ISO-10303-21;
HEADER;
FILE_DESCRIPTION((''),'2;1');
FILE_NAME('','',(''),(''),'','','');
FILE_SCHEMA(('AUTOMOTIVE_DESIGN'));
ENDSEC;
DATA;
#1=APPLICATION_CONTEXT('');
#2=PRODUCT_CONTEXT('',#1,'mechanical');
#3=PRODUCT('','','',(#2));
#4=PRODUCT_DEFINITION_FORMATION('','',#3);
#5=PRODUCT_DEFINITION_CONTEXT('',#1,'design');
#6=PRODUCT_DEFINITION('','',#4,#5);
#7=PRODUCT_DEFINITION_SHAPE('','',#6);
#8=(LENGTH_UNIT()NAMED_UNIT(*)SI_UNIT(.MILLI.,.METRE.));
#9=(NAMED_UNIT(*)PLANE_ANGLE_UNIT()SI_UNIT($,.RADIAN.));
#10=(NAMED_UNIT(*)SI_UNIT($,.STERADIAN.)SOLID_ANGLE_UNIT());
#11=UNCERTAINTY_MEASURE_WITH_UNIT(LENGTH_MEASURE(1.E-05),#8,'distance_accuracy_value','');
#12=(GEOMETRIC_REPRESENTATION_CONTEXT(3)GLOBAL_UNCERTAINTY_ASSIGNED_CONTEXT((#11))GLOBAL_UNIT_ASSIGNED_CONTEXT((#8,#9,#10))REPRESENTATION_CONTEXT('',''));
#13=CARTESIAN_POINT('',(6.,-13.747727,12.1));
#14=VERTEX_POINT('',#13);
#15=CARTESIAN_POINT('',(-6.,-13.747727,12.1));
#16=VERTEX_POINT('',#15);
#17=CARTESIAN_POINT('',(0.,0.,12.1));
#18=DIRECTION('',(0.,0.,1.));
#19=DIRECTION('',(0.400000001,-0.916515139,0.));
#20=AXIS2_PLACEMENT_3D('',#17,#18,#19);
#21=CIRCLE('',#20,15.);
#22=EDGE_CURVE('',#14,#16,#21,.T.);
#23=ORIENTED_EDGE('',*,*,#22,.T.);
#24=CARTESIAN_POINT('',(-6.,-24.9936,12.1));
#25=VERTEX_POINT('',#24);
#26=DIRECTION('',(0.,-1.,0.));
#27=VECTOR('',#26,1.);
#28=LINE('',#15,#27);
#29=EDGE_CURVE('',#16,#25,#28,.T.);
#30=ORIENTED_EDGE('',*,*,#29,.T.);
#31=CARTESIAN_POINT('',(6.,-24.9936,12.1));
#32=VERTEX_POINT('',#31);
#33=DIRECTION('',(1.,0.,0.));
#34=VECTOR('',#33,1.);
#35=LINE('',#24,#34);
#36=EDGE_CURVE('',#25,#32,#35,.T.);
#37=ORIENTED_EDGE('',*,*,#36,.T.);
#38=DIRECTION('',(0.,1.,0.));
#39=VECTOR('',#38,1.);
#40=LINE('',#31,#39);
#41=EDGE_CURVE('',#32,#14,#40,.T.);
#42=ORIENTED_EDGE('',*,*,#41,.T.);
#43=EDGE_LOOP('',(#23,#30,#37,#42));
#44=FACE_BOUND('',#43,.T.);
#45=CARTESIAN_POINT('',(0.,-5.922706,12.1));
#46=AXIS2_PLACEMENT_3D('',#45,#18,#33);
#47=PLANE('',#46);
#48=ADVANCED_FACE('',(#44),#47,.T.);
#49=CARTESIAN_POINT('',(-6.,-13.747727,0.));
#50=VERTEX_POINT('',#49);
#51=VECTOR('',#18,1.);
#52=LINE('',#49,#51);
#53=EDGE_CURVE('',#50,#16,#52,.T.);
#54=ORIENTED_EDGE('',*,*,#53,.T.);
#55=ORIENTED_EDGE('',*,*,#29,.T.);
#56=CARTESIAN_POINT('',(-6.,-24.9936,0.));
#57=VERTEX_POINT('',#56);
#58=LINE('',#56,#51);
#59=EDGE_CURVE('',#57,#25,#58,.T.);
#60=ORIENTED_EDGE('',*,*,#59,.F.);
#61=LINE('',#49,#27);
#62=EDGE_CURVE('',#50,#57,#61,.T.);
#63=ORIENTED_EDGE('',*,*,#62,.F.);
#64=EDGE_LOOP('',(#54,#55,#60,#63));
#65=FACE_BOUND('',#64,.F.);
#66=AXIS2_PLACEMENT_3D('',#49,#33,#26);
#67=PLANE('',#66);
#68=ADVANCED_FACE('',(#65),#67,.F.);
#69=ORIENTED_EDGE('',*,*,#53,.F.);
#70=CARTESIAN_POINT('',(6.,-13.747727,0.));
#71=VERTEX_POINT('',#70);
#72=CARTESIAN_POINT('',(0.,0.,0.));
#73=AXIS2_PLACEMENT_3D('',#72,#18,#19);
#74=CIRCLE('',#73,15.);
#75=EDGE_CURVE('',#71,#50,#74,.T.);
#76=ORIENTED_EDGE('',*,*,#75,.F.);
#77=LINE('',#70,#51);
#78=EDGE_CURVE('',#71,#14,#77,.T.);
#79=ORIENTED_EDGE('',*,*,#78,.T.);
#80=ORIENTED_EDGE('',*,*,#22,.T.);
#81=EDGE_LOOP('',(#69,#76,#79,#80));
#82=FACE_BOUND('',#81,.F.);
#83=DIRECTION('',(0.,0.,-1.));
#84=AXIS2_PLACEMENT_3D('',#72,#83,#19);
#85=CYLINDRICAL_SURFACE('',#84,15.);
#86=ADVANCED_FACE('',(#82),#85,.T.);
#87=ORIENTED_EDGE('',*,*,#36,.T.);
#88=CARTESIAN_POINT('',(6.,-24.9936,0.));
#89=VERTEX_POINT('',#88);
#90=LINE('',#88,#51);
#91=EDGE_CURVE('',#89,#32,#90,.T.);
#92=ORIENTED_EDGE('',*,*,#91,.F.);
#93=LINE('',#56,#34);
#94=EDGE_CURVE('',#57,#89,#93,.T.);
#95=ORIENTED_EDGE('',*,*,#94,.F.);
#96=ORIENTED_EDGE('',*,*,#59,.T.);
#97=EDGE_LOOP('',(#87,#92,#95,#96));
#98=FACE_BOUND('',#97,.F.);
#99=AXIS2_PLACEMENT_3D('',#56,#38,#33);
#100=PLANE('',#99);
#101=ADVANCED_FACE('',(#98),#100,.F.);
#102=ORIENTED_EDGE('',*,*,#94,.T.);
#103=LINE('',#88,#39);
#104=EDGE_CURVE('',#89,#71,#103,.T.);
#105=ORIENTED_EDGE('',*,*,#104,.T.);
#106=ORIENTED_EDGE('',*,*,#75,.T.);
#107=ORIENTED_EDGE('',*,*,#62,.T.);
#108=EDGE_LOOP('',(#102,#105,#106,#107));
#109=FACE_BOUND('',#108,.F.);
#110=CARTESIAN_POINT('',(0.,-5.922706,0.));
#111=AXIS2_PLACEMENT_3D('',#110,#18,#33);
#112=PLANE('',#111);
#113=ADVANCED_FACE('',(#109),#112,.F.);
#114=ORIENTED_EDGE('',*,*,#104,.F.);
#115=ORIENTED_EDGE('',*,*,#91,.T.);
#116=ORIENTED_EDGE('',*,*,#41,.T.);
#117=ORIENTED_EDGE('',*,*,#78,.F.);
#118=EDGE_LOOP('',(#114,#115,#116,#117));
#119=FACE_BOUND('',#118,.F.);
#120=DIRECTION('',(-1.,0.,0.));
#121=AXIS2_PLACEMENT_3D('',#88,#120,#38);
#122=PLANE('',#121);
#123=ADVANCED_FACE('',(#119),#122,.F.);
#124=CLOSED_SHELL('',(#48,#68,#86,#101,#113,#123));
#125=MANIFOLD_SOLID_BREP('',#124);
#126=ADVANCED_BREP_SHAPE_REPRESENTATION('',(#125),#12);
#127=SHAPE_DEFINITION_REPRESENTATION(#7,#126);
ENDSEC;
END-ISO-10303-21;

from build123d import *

# Parameters (mm, degrees)
F1_DEPTH = 12.1


with BuildPart() as f1:
    # F0 (on Top) → F1 (new body)
    with BuildSketch(Plane.XY):
        with BuildLine():
            Line((6, -24.9936), (6, -13.747727))
            ThreePointArc((6, -13.747727), (0, 15), (-6, -13.747727))
            Line((-6, -13.747727), (-6, -24.9936))
            Line((-6, -24.9936), (0, -24.9936))
            Line((0, -24.9936), (6, -24.9936))
        make_face()
    extrude(amount=F1_DEPTH)


solid = f1.part
